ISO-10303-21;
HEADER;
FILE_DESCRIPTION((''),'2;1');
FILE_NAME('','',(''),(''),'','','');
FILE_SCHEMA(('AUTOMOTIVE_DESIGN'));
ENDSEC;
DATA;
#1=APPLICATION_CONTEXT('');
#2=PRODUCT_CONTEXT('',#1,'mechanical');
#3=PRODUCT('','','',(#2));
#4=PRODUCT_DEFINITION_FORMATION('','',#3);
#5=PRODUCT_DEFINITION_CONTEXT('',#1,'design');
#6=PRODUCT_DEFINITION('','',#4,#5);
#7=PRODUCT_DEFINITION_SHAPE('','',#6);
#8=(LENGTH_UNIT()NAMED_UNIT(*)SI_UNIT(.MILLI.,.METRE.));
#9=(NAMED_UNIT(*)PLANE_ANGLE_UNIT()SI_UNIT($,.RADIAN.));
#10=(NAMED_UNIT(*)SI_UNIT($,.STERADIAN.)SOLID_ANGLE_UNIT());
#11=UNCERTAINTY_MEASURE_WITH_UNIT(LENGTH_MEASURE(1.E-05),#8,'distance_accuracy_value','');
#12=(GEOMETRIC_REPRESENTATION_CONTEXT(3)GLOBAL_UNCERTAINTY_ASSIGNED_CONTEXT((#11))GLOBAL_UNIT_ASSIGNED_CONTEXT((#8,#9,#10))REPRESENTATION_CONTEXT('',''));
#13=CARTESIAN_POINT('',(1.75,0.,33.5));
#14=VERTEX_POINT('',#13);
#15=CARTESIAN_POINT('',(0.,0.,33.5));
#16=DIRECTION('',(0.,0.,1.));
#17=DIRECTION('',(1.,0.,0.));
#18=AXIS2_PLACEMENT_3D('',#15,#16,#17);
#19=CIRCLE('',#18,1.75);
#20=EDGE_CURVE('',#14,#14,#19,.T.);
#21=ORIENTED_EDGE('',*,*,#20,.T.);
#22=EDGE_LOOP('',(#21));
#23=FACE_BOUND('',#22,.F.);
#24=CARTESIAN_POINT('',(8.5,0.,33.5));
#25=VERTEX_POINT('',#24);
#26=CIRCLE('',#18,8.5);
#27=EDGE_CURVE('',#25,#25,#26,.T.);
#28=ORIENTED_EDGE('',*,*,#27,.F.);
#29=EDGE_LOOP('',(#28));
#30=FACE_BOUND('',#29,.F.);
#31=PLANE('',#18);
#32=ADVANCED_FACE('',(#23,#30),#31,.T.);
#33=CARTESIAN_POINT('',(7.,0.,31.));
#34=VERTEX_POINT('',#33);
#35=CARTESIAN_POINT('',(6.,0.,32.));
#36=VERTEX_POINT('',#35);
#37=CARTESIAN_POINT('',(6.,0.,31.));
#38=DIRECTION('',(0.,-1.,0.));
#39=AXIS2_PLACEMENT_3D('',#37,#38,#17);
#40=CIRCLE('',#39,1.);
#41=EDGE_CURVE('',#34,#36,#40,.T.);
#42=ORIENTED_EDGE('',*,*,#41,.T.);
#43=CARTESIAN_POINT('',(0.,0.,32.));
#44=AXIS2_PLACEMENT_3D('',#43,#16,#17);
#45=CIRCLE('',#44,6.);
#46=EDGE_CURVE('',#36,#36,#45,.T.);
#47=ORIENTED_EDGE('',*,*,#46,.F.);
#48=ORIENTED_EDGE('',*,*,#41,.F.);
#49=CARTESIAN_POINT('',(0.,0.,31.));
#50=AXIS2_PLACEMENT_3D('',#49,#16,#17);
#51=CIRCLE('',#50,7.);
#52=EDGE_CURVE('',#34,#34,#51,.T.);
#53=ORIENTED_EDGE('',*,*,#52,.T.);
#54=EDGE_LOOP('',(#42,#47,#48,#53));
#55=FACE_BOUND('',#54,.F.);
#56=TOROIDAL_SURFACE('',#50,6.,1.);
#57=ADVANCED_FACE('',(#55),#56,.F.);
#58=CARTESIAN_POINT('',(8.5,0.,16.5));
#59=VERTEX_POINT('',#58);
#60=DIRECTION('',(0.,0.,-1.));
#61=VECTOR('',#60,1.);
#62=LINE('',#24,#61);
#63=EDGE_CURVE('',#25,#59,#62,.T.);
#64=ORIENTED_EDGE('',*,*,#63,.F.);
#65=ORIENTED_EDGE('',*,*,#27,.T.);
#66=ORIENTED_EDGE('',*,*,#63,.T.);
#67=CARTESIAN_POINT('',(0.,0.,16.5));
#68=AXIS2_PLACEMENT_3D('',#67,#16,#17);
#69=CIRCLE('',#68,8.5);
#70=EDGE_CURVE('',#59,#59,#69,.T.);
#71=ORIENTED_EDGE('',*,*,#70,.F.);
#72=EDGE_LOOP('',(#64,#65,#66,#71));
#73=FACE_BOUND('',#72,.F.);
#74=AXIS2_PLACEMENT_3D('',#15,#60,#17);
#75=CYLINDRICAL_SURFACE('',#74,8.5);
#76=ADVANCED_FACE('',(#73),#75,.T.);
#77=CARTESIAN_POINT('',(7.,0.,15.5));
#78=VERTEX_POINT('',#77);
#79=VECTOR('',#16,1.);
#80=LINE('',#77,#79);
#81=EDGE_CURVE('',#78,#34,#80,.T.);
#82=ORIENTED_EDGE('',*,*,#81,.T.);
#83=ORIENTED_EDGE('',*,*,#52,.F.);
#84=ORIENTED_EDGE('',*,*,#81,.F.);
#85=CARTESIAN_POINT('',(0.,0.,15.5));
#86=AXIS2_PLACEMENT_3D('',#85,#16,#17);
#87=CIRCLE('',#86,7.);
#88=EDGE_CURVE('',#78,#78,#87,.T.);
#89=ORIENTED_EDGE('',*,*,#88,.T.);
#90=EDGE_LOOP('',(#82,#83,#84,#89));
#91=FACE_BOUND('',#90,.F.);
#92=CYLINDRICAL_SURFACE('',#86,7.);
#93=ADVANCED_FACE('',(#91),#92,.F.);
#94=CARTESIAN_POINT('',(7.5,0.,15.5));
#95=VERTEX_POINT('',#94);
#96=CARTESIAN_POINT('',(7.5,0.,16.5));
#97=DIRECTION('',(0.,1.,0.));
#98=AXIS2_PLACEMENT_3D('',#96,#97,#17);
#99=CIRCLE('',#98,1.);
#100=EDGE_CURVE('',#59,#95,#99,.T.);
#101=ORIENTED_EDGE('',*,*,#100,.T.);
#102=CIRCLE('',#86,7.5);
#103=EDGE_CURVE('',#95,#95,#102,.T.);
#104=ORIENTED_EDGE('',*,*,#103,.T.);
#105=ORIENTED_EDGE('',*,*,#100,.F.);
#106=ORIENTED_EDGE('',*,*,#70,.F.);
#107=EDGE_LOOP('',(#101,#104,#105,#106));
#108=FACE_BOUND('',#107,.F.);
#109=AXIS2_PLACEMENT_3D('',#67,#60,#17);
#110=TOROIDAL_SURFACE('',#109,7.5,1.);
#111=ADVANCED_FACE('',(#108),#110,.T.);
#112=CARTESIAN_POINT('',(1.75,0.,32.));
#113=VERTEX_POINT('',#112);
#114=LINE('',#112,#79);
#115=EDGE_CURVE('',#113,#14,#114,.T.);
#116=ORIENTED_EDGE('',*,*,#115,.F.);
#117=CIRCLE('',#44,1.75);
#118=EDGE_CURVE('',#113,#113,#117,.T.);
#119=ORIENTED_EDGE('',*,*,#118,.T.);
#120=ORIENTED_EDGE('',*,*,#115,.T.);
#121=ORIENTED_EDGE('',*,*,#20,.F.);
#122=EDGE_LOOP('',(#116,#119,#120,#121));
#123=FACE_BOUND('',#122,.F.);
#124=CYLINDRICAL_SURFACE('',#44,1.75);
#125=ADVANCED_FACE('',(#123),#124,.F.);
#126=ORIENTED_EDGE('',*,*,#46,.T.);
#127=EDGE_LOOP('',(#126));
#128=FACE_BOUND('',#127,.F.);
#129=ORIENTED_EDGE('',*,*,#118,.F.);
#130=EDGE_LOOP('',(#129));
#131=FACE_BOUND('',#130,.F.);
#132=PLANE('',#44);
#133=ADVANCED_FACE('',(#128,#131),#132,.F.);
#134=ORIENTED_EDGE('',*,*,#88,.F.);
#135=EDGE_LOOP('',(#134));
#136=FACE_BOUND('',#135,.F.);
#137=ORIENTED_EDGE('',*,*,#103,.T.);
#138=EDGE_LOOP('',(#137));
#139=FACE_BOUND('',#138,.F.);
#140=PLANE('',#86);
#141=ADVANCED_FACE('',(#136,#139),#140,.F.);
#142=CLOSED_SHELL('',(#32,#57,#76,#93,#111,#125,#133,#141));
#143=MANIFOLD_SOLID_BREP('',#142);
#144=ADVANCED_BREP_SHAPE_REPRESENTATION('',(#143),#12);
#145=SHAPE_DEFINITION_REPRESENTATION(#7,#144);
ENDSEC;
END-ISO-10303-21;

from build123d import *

# Parameters (mm, degrees)
FILLET003_R = 1
FILLET004_R = 1


with BuildPart() as part:
    # Sketch002 → Revolution001 (revolve)
    with BuildSketch(Plane.XZ):
        Polygon((1.75, 33.5), (8.5, 33.5), (8.5, 15.5), (7, 15.5), (7, 32), (1.75, 32), align=None)
    revolve(axis=Axis((0, 0, 0), (0, 0, 1)))

    # Fillet003
    fillet003_edges = [part.edges().sort_by_distance(p)[0] for p in [
        (-8.5, 0, 15.5),
    ]]
    fillet(fillet003_edges, radius=FILLET003_R)

    # Fillet004
    fillet004_edges = [part.edges().sort_by_distance(p)[0] for p in [
        (-7, 0, 32),
    ]]
    fillet(fillet004_edges, radius=FILLET004_R)


solid = part.part
